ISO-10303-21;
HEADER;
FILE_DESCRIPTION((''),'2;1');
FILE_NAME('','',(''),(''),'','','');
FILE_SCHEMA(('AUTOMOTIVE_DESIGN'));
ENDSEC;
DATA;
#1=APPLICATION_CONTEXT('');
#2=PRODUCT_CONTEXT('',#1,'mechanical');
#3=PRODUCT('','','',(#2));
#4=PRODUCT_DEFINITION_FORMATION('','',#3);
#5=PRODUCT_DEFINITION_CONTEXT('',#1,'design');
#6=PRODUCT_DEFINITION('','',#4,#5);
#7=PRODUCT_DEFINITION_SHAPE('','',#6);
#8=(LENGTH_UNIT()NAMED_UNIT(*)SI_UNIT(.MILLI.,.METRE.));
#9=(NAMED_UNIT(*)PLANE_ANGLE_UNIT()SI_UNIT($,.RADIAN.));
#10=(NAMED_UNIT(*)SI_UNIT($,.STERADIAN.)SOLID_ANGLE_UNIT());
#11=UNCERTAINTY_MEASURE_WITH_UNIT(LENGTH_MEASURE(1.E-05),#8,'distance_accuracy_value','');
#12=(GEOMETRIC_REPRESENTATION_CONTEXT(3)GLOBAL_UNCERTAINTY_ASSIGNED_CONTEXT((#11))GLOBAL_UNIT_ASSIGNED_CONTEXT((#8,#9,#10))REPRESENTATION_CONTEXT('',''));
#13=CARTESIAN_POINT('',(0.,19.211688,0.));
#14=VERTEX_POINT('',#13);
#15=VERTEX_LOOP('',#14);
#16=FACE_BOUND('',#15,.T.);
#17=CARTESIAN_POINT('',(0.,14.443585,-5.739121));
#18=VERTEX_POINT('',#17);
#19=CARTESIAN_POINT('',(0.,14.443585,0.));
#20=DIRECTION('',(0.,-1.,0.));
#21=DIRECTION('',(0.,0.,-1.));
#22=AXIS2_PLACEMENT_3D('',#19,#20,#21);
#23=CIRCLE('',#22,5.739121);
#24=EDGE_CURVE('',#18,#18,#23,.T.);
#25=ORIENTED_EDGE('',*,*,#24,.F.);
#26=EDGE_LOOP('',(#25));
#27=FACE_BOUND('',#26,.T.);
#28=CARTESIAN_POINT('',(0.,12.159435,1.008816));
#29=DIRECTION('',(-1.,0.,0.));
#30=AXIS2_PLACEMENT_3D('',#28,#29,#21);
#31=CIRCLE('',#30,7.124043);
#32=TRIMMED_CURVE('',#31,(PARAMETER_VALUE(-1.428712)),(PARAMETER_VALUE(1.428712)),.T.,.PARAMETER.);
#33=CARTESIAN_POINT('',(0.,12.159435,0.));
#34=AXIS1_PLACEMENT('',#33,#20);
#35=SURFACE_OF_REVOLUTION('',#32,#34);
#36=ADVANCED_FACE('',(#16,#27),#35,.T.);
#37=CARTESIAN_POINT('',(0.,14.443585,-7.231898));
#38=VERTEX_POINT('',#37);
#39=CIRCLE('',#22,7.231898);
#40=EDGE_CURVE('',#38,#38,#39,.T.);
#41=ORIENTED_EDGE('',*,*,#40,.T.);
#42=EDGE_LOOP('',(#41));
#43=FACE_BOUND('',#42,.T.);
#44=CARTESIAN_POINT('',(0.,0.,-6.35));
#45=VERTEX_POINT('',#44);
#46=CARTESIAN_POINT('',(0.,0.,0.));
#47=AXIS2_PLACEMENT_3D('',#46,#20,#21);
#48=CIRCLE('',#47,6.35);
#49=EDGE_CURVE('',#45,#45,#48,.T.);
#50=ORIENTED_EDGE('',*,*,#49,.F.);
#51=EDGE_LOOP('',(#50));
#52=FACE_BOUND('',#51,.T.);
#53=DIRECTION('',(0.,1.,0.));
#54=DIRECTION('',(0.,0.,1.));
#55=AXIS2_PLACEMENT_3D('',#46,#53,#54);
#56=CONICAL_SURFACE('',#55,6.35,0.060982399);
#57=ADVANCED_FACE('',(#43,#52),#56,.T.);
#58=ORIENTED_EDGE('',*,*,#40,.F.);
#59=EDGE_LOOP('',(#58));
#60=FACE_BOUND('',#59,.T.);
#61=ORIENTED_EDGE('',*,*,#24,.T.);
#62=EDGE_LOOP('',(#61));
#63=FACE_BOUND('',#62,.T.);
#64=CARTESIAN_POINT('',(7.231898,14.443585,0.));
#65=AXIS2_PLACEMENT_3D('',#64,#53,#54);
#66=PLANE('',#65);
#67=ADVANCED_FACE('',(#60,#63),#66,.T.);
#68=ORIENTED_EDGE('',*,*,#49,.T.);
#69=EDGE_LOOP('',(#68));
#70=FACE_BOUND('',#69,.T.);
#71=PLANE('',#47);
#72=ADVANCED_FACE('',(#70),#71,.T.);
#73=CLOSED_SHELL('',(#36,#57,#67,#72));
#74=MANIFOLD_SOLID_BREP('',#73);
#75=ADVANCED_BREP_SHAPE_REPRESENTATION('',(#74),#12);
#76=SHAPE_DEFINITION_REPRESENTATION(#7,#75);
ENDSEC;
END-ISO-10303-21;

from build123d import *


with BuildPart() as part:
    # Sketch1 → Revolve1 (revolve)
    with BuildSketch(Plane.XY):
        with BuildLine():
            Line((0, 0), (0, 19.211688466))
            ThreePointArc((0, 19.211688466), (3.543711526, 17.639077691), (5.739120867, 14.44358495))
            Line((5.739120867, 14.44358495), (7.231897946, 14.44358495))
            Line((7.231897946, 14.44358495), (6.35, 0))
            Line((6.35, 0), (0, 0))
        make_face()
    revolve(axis=Axis((0, 0, 0), (0, 1, 0)))


solid = part.part
